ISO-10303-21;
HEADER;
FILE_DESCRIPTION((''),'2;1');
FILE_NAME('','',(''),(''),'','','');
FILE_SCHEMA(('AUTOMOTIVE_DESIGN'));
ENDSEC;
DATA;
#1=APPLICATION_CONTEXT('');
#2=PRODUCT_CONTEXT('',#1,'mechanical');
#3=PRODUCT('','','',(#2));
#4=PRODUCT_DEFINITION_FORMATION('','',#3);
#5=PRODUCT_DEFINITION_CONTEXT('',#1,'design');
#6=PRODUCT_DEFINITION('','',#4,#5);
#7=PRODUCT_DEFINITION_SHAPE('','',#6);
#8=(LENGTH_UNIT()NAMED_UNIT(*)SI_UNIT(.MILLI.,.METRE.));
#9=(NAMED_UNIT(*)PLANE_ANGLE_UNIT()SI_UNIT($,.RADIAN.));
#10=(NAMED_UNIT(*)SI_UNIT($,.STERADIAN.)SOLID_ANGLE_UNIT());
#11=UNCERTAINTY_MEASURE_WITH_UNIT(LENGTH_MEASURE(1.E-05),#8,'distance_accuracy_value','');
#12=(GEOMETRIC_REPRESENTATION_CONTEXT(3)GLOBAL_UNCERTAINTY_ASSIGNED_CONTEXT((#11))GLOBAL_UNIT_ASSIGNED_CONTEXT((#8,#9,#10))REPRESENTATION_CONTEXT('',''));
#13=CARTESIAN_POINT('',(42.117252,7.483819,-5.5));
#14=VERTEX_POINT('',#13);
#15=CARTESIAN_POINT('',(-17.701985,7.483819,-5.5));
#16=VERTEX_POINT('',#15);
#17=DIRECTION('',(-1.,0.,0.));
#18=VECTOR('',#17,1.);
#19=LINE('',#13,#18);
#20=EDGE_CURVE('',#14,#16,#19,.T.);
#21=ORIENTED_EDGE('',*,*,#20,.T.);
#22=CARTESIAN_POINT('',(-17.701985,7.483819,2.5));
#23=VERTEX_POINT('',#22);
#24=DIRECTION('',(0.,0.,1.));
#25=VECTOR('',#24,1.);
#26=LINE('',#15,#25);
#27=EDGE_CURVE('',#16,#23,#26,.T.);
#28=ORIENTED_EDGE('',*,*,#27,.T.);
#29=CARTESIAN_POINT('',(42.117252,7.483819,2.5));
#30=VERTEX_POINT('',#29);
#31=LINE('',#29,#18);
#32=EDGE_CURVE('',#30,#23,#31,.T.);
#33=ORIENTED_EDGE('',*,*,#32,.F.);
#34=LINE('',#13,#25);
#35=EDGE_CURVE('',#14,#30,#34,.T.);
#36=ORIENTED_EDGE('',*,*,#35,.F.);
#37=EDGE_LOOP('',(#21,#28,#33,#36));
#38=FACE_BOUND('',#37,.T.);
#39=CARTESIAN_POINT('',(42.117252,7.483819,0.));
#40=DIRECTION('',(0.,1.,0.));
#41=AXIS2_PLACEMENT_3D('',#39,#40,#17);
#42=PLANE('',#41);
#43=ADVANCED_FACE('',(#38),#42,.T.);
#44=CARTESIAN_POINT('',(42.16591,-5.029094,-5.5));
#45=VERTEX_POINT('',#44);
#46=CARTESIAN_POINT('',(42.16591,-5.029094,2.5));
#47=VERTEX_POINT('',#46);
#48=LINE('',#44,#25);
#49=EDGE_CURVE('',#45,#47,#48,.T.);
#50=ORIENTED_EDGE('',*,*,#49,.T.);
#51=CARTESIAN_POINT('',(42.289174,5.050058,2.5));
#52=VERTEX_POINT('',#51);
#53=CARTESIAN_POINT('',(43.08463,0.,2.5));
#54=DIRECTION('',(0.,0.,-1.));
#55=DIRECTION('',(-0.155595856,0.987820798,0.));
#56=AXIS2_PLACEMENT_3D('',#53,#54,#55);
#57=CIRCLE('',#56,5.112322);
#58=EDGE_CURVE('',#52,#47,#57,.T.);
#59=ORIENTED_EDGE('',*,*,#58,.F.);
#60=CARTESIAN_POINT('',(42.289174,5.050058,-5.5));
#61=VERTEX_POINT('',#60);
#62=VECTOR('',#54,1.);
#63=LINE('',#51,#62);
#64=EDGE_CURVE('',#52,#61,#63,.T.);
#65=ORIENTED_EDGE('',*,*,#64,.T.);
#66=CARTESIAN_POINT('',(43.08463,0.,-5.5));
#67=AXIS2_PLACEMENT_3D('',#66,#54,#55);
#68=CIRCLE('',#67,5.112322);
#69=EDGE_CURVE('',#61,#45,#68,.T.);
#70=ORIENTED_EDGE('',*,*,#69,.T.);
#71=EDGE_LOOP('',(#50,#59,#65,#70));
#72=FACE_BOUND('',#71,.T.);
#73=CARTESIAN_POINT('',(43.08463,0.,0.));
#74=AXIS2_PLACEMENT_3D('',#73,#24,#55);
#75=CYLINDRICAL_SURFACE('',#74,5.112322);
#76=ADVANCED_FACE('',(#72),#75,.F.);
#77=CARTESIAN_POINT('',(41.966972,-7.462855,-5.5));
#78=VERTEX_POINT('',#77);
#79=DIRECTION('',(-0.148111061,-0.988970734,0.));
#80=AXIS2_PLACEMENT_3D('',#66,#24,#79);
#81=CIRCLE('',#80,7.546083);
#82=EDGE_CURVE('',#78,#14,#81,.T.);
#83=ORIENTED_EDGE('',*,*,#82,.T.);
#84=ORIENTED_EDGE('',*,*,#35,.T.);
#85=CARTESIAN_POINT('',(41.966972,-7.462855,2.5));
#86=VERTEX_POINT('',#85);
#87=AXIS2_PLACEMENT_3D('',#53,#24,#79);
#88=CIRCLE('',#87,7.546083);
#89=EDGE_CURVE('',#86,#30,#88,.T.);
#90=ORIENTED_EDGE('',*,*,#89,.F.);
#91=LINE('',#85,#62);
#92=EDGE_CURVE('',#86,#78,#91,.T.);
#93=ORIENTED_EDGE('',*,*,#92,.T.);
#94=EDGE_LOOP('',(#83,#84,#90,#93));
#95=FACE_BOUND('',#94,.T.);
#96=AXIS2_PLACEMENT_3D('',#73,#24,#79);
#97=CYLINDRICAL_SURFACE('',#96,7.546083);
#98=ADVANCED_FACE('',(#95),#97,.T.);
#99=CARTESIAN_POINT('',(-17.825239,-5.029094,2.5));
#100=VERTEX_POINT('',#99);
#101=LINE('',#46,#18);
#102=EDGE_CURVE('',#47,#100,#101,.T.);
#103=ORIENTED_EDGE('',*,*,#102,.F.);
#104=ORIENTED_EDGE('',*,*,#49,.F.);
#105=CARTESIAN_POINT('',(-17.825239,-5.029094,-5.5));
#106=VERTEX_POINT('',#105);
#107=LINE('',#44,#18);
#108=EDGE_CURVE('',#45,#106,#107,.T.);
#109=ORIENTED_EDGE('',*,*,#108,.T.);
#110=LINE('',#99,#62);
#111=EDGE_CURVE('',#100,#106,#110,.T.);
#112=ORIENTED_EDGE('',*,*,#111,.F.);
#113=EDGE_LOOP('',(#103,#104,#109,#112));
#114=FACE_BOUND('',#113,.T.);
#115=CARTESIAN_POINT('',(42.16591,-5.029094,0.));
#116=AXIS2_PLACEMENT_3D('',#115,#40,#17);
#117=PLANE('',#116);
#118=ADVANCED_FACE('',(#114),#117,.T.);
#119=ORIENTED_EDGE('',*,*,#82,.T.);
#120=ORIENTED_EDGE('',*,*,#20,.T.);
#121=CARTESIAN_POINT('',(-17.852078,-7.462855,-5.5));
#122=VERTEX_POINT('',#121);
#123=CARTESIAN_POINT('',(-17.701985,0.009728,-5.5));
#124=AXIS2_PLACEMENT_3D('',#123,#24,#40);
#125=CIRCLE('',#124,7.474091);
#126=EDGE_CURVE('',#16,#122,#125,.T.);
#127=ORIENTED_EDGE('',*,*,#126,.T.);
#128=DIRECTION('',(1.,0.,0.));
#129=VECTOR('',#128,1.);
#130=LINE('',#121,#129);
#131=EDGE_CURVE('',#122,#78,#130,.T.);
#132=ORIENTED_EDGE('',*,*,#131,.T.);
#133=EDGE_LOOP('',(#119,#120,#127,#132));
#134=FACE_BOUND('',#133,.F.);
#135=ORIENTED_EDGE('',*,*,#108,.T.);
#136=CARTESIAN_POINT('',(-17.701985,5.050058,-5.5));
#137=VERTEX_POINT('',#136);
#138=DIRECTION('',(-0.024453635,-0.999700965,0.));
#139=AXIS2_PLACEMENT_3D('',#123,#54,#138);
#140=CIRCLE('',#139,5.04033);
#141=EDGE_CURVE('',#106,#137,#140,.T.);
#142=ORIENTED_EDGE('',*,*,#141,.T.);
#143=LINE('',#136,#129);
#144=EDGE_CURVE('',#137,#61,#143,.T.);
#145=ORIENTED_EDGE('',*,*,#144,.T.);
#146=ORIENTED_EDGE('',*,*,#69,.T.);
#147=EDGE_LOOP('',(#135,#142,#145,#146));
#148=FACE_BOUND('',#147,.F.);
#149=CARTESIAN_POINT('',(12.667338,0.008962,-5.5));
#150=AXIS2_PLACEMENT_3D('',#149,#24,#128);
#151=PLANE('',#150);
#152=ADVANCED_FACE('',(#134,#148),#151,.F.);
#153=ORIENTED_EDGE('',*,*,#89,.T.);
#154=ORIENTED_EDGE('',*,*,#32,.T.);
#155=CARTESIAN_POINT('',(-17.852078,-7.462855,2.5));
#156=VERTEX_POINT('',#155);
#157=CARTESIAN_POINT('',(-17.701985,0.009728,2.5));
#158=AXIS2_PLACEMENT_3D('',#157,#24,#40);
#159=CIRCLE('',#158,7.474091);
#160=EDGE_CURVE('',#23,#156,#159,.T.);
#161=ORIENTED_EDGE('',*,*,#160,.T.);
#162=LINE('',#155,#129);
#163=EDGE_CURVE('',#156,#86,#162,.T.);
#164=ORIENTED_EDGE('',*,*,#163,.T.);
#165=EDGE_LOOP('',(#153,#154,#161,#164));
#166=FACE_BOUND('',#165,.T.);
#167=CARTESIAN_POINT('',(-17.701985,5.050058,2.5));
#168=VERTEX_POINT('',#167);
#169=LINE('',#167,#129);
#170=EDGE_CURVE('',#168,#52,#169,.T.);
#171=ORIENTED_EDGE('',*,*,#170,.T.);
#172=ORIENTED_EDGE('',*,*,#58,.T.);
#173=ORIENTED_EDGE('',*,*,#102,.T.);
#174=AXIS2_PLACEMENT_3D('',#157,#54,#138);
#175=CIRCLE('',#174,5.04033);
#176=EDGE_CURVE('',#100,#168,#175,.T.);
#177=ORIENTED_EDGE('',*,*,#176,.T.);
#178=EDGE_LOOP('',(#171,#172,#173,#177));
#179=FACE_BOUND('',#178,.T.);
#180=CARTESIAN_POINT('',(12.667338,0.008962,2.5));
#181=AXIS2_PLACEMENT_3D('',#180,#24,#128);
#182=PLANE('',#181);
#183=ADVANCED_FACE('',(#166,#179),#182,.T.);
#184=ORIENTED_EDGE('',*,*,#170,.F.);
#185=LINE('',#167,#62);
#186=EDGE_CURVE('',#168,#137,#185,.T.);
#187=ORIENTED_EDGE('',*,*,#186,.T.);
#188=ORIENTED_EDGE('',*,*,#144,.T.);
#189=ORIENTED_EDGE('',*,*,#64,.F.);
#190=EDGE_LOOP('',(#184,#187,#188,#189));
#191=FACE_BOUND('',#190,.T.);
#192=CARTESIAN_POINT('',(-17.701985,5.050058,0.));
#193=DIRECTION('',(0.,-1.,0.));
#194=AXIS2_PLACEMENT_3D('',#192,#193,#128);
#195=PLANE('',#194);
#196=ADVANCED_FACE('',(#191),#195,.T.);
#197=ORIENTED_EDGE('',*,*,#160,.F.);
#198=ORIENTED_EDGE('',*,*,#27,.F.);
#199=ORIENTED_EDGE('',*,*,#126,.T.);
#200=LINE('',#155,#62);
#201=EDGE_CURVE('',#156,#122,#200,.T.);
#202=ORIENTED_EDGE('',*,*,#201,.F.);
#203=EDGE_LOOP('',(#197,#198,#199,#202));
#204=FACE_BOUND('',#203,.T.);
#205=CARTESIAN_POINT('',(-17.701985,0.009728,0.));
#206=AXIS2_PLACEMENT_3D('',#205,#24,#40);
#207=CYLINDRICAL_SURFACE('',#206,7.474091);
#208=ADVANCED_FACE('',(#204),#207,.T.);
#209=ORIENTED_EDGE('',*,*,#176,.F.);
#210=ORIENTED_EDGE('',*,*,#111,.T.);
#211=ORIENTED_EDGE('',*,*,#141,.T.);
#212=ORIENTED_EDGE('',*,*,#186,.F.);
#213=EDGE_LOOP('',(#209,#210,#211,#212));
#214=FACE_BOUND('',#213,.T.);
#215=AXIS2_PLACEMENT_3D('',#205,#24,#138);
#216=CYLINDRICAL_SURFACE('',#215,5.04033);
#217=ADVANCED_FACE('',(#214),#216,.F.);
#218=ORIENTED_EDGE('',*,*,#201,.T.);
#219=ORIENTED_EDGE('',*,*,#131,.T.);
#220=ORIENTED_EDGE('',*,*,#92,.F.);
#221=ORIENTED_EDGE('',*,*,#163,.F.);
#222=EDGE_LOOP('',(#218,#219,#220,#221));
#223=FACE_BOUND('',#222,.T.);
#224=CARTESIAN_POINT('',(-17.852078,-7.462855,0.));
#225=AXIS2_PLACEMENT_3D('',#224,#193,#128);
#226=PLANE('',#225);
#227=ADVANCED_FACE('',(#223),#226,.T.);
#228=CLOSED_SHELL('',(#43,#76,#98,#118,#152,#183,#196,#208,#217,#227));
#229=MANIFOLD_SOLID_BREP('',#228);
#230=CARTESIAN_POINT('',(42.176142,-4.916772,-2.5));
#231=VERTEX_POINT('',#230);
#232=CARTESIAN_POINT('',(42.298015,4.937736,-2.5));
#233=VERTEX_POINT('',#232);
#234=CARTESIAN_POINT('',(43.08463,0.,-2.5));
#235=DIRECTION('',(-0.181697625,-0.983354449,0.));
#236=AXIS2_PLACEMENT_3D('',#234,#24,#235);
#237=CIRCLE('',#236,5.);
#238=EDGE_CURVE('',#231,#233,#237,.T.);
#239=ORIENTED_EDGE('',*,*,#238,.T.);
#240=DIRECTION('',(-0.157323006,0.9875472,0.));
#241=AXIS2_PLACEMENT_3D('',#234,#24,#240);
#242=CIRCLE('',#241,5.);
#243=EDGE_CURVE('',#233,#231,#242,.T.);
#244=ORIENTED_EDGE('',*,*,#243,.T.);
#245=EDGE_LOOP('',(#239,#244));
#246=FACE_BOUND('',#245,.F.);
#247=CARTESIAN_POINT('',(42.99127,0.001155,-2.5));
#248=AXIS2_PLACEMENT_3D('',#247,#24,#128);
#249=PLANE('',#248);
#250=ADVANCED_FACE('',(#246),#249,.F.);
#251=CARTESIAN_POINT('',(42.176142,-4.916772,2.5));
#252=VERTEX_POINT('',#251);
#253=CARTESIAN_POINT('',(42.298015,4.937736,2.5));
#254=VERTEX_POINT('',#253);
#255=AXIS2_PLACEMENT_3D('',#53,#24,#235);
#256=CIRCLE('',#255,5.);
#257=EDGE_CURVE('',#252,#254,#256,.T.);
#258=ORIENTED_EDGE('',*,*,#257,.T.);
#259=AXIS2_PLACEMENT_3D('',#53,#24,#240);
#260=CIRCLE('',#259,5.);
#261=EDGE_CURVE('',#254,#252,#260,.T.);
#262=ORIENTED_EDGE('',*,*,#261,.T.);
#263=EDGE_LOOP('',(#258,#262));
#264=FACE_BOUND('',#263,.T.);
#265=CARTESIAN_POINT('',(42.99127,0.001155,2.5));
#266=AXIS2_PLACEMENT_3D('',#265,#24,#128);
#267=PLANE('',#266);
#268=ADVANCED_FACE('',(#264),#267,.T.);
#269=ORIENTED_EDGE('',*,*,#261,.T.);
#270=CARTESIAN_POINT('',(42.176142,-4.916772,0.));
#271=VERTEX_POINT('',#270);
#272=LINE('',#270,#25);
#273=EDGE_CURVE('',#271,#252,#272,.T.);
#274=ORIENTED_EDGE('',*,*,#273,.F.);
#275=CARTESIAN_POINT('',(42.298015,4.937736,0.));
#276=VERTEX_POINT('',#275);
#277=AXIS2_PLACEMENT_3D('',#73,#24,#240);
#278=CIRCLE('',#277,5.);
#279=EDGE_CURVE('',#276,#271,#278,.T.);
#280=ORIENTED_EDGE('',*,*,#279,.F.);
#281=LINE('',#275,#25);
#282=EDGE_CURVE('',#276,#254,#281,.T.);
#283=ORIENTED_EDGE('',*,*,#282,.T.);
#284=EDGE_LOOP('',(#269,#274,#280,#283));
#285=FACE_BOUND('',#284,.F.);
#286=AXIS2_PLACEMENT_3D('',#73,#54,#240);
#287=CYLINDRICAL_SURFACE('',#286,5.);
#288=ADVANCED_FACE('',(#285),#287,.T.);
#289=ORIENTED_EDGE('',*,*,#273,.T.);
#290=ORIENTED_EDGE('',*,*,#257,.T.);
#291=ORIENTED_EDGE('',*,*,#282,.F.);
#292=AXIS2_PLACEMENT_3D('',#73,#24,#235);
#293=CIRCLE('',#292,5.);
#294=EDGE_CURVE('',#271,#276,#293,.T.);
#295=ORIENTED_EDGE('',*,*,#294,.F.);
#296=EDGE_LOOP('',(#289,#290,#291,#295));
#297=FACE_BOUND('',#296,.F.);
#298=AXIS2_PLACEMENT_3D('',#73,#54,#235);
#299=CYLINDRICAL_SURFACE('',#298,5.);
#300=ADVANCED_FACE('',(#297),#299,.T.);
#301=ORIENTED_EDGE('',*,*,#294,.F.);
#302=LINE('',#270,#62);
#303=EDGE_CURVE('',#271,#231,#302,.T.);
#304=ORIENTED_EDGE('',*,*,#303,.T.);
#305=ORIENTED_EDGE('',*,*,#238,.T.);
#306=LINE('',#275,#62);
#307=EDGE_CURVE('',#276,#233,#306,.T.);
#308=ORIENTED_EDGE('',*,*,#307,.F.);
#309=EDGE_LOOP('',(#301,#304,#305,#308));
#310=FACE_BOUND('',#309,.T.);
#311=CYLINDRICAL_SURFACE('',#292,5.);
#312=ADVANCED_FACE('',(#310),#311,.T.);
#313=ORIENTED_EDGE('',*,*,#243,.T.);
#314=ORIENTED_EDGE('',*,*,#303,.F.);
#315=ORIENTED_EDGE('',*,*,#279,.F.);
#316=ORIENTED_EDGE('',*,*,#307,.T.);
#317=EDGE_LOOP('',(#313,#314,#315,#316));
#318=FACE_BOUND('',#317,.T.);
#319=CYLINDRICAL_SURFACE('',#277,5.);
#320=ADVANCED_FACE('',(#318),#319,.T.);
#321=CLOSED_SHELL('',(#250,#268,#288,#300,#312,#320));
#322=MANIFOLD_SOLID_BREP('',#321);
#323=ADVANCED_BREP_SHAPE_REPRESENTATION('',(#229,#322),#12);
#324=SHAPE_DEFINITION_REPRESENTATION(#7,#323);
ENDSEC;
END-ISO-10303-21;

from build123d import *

# Parameters (mm, degrees)
F1_DEPTH = 2.5
F2_DEPTH = 3


with BuildPart() as f1:
    # F0 (on Top) → F1 (new body, symmetric)
    with BuildSketch(Plane.XY):
        with BuildLine():
            ThreePointArc((41.9669720974, -7.4628552812), (50.6303321073, -0.0758673382), (42.1172516139, 7.483819034))
            Line((42.1172516139, 7.483819034), (-17.7019845665, 7.483819034))
            ThreePointArc((-17.7019845665, 7.483819034), (-25.1756985231, 0.084778927), (-17.8520783344, -7.4628552812))
            Line((-17.8520783344, -7.4628552812), (41.9669720974, -7.4628552812))
        make_face()
        with BuildLine():
            Line((42.1659099961, -5.0290942582), (-17.5787301818, -5.0290942582))
            Line((-17.5787301818, -5.0290942582), (-17.8252389511, -5.0290942582))
            ThreePointArc((-17.8252389511, -5.0290942582), (-22.7419374955, 0.0713600592), (-17.7019845665, 5.050058011))
            Line((-17.7019845665, 5.050058011), (42.2891743421, 5.050058011))
            ThreePointArc((42.2891743421, 5.050058011), (48.1965702074, -0.0625171535), (42.1659099961, -5.0290942582))
        make_face(mode=Mode.SUBTRACT)
    extrude(amount=F1_DEPTH, both=True)

    # F2 (add, symmetric): a face of the model
    f2_faces = [f1.faces().sort_by_distance(p)[0] for p in [
        (49.8574259802, -0.0680962477, -2.5),
    ]]
    extrude(f2_faces, amount=F2_DEPTH, both=True)


with BuildPart() as f1b:
    # F0 (on Top) → F1, piece 2 (new body, symmetric)
    with BuildSketch(Plane.XY):
        with BuildLine():
            ThreePointArc((42.2980154335, 4.9377359991), (38.0850127901, 0.0618314869), (42.1761423349, -4.9167722464))
            ThreePointArc((42.1761423349, -4.9167722464), (48.0842481343, -0.0618314869), (42.2980154335, 4.9377359991))
        make_face()
    extrude(amount=F1_DEPTH, both=True)


solid = Compound([f1.part, f1b.part])
